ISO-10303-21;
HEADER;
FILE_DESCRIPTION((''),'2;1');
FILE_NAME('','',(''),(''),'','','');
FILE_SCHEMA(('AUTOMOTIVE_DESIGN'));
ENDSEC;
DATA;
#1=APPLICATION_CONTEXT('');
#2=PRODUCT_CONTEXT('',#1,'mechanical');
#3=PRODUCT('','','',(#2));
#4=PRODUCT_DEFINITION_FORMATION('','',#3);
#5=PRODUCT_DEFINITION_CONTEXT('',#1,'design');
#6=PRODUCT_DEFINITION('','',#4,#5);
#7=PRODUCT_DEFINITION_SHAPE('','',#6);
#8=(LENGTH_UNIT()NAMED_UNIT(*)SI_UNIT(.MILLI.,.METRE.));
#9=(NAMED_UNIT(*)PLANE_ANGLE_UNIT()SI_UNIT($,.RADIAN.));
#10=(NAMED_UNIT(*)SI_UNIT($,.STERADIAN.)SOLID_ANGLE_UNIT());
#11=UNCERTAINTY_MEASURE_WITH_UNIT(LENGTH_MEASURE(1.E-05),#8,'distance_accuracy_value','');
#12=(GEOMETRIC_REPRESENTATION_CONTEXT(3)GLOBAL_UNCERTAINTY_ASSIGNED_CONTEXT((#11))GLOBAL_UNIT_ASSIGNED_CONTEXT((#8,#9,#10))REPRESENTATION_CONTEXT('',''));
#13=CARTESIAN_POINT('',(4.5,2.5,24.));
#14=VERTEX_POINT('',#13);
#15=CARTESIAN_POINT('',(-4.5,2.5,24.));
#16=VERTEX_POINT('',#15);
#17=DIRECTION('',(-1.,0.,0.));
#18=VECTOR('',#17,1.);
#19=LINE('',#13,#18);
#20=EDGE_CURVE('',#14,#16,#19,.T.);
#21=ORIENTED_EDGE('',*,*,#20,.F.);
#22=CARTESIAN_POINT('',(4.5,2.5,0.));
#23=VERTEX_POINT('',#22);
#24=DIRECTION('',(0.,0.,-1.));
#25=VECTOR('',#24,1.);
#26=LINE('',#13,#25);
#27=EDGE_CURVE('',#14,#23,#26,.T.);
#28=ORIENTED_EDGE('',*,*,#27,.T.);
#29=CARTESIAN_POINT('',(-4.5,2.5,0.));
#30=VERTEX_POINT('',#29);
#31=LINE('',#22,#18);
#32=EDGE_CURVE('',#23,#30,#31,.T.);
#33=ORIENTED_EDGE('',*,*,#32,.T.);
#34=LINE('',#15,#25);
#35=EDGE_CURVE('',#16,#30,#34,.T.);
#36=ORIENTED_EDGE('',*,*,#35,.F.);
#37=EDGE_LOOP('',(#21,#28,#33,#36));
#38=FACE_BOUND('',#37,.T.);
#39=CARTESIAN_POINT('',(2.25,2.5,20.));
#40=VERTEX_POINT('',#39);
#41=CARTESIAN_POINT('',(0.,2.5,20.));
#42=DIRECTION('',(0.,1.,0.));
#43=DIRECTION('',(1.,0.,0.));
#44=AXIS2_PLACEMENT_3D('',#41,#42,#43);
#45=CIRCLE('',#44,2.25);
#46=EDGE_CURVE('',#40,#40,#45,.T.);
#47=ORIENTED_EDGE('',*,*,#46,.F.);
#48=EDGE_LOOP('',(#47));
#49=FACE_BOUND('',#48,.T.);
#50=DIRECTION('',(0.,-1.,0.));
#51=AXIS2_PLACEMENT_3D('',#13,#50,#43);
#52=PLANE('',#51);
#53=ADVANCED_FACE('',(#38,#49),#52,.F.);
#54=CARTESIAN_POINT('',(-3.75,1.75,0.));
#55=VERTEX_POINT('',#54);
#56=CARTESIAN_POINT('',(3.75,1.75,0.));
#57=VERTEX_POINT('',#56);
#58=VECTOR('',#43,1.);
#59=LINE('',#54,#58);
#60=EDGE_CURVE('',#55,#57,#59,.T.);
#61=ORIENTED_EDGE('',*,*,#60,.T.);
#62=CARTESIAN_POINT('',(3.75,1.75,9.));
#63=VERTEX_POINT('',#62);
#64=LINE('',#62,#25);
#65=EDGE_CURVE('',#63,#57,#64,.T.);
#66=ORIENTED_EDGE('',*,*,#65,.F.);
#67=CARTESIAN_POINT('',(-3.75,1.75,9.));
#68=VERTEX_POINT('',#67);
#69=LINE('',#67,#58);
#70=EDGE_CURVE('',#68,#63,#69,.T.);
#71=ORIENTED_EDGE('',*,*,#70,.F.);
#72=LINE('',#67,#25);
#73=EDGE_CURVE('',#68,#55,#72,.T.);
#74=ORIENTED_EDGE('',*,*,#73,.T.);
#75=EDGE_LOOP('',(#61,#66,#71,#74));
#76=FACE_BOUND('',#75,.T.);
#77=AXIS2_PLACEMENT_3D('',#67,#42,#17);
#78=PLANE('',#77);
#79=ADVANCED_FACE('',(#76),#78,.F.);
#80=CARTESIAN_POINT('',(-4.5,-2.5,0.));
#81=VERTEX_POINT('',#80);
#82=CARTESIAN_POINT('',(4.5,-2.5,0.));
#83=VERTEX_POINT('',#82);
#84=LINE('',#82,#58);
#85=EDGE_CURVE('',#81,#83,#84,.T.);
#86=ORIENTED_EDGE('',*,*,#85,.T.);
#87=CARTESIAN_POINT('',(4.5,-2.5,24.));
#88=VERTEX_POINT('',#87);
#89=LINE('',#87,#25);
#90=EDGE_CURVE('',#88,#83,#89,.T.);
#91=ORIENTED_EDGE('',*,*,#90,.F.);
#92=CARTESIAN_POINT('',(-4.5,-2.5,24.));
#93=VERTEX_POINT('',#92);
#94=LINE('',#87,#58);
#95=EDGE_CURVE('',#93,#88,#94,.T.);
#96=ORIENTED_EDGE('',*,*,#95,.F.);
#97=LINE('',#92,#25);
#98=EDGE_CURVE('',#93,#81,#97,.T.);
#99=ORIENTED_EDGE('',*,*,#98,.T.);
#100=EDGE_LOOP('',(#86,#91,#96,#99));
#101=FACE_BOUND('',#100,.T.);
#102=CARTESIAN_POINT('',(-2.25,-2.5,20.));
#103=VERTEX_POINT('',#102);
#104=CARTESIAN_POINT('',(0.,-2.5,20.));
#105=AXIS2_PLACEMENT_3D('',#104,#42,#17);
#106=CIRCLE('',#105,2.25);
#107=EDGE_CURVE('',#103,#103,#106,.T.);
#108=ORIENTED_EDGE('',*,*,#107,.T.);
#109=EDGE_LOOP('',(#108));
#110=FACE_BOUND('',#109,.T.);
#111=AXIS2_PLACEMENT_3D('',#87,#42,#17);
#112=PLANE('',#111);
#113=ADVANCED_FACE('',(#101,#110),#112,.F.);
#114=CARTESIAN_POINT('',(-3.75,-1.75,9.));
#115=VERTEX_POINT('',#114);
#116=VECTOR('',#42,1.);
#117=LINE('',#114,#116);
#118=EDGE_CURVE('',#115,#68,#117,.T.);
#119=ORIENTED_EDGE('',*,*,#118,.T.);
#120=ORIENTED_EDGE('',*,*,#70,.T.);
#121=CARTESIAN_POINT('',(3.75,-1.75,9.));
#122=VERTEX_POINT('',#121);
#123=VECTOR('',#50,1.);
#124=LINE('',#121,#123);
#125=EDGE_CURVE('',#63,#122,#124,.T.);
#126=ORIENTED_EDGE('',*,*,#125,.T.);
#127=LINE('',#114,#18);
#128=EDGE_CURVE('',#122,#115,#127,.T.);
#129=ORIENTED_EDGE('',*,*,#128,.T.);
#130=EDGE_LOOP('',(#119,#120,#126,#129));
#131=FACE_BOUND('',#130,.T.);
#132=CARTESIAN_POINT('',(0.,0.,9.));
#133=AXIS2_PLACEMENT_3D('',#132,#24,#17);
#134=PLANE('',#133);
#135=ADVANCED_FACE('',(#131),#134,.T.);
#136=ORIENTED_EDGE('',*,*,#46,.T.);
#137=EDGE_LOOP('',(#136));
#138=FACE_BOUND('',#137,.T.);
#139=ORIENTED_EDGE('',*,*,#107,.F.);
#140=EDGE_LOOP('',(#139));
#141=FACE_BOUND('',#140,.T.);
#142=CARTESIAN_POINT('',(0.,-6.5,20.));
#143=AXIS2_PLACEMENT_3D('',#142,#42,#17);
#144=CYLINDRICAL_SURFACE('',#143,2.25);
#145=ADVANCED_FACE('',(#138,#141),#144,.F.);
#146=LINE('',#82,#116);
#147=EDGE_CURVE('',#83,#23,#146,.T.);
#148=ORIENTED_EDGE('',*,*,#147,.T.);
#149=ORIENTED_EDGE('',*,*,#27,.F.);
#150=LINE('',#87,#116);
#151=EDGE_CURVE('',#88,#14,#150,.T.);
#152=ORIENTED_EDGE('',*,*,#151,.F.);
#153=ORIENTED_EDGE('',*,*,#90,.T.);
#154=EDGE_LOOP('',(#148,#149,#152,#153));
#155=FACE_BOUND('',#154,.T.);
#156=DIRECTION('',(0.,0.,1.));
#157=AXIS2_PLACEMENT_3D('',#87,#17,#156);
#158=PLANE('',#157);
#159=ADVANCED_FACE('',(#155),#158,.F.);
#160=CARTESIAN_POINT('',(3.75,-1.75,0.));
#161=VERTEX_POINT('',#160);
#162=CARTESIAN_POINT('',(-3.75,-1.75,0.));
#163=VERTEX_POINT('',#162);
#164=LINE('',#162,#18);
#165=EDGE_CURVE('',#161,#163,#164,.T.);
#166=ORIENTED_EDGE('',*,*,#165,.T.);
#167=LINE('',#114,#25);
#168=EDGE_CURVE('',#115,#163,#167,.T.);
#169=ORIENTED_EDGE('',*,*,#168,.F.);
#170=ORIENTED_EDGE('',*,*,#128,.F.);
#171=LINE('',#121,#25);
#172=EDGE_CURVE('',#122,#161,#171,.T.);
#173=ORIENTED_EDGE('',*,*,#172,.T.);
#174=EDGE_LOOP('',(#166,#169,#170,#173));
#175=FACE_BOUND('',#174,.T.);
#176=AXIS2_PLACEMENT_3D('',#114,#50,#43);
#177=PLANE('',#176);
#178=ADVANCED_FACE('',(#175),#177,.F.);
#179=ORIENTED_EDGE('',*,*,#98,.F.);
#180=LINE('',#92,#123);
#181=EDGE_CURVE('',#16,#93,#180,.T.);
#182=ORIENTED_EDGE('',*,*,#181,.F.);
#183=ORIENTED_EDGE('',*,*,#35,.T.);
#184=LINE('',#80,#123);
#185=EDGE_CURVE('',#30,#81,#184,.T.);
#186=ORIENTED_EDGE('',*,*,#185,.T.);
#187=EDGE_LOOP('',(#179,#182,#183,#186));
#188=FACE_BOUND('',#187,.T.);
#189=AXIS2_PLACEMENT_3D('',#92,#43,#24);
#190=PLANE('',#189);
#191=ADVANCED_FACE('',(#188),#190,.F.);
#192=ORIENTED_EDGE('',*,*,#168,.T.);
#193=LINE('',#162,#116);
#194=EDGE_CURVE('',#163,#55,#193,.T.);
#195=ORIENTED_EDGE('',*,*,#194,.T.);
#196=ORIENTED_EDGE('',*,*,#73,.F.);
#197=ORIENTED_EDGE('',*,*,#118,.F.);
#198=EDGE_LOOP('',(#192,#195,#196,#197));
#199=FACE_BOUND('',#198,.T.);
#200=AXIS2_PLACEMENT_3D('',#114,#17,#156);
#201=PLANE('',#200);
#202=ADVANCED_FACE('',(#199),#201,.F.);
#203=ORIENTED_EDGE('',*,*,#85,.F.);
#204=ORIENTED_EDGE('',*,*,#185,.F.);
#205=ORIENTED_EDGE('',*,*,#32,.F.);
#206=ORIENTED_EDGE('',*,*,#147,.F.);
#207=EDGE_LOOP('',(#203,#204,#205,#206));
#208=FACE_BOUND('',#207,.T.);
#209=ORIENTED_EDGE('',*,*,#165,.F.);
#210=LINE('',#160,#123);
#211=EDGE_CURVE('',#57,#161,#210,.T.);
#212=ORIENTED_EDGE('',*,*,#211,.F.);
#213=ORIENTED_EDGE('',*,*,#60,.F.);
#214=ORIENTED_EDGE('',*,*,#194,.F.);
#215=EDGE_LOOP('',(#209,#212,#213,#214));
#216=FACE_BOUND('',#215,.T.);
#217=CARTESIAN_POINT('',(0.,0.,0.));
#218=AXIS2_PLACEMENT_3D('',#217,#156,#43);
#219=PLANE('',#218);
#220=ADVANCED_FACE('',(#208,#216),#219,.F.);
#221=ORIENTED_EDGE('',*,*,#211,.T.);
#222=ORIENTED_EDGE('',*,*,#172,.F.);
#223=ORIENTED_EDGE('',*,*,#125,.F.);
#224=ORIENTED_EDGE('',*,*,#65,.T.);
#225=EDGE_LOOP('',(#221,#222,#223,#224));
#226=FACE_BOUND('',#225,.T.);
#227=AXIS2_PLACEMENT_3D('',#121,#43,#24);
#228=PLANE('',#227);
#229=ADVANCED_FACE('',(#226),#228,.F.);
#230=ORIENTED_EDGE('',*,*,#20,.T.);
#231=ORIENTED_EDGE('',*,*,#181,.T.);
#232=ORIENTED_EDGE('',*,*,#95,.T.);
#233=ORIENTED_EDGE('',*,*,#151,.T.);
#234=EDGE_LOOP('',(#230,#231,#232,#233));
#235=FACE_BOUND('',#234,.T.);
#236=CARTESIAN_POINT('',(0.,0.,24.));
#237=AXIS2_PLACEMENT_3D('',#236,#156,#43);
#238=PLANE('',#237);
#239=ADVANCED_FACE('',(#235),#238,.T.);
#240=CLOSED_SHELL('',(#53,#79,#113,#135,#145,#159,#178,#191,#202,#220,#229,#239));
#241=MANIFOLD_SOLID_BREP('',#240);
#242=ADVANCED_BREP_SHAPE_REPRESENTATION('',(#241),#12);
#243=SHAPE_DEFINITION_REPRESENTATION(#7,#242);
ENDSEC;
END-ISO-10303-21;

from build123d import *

# Parameters (mm, degrees)
CROQUIS1_W              = 9
CROQUIS1_H              = 5
SALIENTE_EXTRUIR1_DEPTH = 24
CROQUIS2_W              = 7.5
CROQUIS2_H              = 3.5
CORTAR_EXTRUIR1_DEPTH   = 9
CROQUIS3_R              = 2.25
CORTAR_EXTRUIR2_DEPTH   = 9


with BuildPart() as part:
    # Croquis1 → Saliente-Extruir1 (new body)
    with BuildSketch(Plane.XY):
        Rectangle(CROQUIS1_W, CROQUIS1_H)
    extrude(amount=SALIENTE_EXTRUIR1_DEPTH)

    # Croquis2 → Cortar-Extruir1 (cut)
    with BuildSketch(Plane(origin=(0, 0, 0), x_dir=(-1, 0, 0), z_dir=(0, 0, -1))):
        Rectangle(CROQUIS2_W, CROQUIS2_H)
    extrude(amount=-CORTAR_EXTRUIR1_DEPTH, mode=Mode.SUBTRACT)

    # Croquis3 → Cortar-Extruir2 (cut)
    with BuildSketch(Plane(origin=(0, 2.5, 0), x_dir=(1, 0, 0), z_dir=(0, 1, 0))):
        with Locations(Location((0, -20, 0), (0, 0, 180))):
            Circle(CROQUIS3_R)
    extrude(amount=-CORTAR_EXTRUIR2_DEPTH, mode=Mode.SUBTRACT)


solid = part.part
